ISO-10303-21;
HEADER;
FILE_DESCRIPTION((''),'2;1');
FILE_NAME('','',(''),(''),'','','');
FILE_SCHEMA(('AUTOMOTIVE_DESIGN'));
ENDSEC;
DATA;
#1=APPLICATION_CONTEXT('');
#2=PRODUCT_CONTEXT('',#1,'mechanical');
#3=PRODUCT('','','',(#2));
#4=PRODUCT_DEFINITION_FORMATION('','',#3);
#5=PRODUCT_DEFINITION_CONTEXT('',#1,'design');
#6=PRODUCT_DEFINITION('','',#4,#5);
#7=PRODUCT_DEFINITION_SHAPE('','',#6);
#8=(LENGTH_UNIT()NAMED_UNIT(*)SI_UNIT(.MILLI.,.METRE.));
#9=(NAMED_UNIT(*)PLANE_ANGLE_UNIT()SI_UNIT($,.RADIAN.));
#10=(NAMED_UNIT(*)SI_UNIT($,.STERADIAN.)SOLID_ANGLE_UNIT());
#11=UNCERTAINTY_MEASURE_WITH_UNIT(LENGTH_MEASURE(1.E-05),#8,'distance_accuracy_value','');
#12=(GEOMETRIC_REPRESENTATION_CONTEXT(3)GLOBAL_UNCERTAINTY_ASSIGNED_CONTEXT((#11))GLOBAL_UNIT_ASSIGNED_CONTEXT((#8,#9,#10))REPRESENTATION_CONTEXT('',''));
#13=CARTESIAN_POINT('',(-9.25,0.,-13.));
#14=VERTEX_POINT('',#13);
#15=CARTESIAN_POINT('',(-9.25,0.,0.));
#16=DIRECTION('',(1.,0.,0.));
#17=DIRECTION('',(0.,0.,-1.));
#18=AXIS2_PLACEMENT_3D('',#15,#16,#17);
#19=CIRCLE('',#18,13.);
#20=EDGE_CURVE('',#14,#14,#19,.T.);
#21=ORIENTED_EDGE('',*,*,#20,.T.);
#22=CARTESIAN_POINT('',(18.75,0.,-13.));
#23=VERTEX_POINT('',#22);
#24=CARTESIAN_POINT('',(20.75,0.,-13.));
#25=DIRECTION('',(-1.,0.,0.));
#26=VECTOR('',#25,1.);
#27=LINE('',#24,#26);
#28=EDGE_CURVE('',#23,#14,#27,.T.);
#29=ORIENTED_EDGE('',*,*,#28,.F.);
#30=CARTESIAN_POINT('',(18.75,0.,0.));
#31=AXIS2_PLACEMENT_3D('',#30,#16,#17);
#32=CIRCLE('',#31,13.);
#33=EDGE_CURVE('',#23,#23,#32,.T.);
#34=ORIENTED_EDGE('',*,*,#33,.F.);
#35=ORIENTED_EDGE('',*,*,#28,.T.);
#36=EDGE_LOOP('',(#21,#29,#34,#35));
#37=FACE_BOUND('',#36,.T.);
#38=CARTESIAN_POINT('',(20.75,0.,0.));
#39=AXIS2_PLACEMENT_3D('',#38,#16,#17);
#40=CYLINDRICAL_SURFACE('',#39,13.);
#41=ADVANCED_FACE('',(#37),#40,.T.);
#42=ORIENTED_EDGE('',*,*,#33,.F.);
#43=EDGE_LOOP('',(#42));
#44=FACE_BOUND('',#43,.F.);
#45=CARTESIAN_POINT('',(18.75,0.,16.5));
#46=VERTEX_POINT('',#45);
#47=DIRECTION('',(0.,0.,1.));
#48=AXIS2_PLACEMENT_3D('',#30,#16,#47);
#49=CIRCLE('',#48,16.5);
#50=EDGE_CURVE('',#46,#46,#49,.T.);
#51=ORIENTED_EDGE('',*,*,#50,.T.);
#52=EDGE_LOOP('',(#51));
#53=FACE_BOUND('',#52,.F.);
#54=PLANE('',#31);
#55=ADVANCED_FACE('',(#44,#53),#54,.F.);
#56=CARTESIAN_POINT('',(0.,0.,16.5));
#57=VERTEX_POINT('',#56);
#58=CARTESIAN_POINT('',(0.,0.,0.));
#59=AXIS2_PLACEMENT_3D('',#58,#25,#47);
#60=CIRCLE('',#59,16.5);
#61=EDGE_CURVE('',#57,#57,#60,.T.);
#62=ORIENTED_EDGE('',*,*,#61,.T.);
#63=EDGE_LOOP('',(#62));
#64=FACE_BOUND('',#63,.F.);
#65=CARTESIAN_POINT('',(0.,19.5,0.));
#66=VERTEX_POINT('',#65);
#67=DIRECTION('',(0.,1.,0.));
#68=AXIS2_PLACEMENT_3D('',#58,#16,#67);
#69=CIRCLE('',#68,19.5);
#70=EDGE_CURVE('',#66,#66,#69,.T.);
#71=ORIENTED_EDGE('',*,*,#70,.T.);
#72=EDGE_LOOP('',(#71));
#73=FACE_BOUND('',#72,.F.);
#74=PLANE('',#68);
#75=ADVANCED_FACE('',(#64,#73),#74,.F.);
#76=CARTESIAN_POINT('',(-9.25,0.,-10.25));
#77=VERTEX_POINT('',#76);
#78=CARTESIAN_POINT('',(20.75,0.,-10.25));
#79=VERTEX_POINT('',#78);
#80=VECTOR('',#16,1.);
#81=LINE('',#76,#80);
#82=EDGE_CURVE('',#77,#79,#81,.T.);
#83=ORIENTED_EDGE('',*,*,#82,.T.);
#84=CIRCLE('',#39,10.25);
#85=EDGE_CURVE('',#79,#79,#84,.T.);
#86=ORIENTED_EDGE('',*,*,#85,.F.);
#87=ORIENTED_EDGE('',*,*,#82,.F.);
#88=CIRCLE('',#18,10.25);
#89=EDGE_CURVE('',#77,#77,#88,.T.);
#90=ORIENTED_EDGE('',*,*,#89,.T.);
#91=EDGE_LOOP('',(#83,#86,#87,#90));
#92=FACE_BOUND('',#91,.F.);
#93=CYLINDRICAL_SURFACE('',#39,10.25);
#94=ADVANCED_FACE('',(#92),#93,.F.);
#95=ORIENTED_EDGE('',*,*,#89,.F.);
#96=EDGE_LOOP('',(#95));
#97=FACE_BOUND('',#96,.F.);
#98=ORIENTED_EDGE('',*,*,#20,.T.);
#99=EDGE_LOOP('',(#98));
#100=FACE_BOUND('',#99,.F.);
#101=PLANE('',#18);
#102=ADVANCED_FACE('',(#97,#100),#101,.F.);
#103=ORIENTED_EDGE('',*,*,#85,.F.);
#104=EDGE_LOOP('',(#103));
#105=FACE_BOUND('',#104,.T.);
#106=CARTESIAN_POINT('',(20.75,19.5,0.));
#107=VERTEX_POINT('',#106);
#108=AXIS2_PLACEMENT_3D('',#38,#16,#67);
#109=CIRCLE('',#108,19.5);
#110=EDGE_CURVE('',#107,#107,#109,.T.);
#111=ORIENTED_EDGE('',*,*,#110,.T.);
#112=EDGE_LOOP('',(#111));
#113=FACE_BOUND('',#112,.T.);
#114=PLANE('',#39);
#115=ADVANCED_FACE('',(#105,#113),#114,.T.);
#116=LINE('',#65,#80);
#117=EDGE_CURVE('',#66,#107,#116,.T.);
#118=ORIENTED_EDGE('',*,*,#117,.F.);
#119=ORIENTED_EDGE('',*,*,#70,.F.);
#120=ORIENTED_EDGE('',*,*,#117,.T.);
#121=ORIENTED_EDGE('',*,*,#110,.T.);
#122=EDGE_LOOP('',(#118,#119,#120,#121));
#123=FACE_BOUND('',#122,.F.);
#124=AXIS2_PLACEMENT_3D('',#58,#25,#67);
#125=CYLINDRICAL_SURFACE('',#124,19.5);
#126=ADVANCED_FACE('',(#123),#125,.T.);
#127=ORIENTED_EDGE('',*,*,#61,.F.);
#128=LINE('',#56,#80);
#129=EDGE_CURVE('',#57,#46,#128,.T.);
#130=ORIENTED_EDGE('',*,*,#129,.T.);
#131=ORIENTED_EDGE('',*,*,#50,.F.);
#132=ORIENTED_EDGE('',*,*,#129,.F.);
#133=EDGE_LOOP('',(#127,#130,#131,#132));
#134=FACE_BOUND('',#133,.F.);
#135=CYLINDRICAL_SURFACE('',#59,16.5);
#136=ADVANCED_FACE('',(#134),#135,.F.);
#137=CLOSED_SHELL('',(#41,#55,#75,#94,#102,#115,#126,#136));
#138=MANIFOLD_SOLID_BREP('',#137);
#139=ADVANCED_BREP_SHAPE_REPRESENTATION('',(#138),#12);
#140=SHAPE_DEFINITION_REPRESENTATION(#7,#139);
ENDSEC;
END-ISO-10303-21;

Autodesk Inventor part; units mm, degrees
ref_plane "YZ Plane" through (0, 0, 0) normal (1, 0, 0) x (0, 1, 0)
ref_plane "XY Plane" through (0, 0, 0) normal (0, 0, 1) x (1, 0, 0)
sketch "Sketch1" plane through (0, 0, 0) normal (1, 0, 0) x (0, 1, 0)
  circle A0 centre (0, 0) radius 16.5
  circle A1 centre (0, 0) radius 19.5
  dimension "d0" = 33
  dimension "d1" = 3
extrude "Extrusion1" add sketch "Sketch1" along normal blind 20.75 contours A0 | A1
sketch "Sketch2" plane through (0, 0, 0) normal (-1, 0, 0) x (0, 0, 1)
  circle A0 centre (0, 0) radius 19.5 projected
  circle A1 centre (0, 0) radius 16.5
  dimension "d4" = 33
extrude "Extrusion2" cut sketch "Sketch2" against normal blind 25 contours A1
ref_plane "Work Plane2" through (0, -19.5, 0) normal (0, 1, 0) x (-1, 0, 0)
sketch "Sketch6" plane through (20.75, 0, 0) normal (1, 0, 0) x (0, 0, -1)
  circle A0 centre (0, 0) radius 10.25 projected
  circle A1 centre (0, 0) radius 19.5 projected
  circle A2 centre (0, 0) radius 13
  dimension "d14" = 26
extrude "Extrusion5" add sketch "Sketch6" against normal blind 30 contours A2
sketch "Sketch7" plane through (20.75, 0, 0) normal (1, 0, 0) x (0, 0, -1)
  circle A0 centre (0, 0) radius 19.5 projected
  circle A1 centre (0, 0) radius 19.5
  circle A2 centre (0, 0) radius 16.5 projected
  circle A3 centre (0, 0) radius 10.25
  dimension "d23" = 20.5
extrude "Extrusion7" add sketch "Sketch7" against normal blind 2 contours A2
properties part number "union pvc tubo"
